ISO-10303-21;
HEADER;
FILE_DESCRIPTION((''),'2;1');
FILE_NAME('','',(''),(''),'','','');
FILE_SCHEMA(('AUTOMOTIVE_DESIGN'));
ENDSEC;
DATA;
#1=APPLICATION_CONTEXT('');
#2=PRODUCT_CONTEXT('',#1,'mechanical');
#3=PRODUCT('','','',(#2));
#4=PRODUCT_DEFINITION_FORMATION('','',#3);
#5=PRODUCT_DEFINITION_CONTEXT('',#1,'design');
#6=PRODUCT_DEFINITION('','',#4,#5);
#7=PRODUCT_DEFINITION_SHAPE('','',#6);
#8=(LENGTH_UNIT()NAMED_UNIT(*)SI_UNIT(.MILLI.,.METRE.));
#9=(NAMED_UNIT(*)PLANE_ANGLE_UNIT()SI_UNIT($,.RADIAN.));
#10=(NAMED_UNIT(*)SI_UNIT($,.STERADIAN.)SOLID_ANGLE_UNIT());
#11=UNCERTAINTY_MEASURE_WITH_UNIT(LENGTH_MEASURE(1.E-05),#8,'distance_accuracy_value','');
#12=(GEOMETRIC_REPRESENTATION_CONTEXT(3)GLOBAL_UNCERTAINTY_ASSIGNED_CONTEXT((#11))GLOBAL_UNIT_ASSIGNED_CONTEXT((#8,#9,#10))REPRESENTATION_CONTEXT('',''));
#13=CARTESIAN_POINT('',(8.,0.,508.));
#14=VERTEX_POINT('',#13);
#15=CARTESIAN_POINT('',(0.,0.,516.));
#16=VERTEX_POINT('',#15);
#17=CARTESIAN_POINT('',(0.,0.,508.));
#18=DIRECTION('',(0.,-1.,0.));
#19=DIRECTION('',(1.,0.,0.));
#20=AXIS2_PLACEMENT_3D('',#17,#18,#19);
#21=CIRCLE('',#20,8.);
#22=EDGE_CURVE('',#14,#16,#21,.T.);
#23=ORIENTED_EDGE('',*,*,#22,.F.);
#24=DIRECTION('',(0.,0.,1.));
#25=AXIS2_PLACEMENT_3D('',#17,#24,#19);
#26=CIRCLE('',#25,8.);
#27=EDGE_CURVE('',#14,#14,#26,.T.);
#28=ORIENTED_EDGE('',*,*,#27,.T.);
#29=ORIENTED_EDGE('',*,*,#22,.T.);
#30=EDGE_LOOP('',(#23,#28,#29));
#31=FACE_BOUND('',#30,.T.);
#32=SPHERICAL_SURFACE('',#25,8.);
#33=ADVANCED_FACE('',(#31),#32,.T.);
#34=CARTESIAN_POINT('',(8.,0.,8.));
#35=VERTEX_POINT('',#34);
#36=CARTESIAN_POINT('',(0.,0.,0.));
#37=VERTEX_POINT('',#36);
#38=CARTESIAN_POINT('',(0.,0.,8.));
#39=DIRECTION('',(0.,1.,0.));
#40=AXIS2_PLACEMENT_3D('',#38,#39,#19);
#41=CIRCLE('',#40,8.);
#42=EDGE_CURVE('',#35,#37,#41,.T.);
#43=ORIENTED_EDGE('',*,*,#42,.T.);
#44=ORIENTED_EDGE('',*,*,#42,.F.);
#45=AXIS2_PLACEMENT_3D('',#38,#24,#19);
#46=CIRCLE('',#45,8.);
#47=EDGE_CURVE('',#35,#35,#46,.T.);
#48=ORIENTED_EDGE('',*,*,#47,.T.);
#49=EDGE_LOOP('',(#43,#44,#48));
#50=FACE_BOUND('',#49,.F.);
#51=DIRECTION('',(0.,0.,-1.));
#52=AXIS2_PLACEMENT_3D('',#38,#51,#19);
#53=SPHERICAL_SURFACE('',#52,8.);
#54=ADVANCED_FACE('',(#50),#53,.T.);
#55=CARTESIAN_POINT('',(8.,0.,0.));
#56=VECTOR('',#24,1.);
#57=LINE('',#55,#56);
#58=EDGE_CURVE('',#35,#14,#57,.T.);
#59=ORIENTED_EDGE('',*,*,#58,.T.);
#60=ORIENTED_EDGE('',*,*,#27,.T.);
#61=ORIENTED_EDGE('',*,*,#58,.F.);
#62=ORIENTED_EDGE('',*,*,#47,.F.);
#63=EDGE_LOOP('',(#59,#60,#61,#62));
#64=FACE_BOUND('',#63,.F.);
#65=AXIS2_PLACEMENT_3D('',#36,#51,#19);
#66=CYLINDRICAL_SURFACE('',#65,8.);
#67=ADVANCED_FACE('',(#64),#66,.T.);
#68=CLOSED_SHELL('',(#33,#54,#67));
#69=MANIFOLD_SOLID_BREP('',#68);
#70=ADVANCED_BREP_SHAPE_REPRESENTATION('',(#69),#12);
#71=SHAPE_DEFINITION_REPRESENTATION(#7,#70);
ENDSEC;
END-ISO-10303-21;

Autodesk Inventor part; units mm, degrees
ref_plane "YZ Plane" through (0, 0, 0) normal (1, 0, 0) x (0, 1, 0)
ref_plane "XZ Plane" through (0, 0, 0) normal (0, 1, 0) x (-1, 0, 0)
ref_plane "XY Plane" through (0, 0, 0) normal (0, 0, 1) x (1, 0, 0)
sketch "スケッチ1" plane through (0, 0, 0) normal (0, 0, 1) x (1, 0, 0)
  circle A0 centre (0, 0) radius 8
  dimension "d0" = 16
extrude "押し出し1" add sketch "スケッチ1" along normal blind 516
sketch "スケッチ2" plane through (0, 0, 516) normal (0, 0, 1) x (1, 0, 0)
  point P0 (0, 0)
  point P1 (0, 0)
sketch "スケッチ3" plane through (0, 0, 0) normal (0, 0, -1) x (-1, 0, 0)
  point P0 (0, 0)
  point P1 (0, 0)
fillet "フィレット1" radius 8 2 edges at (-8, 0, 0) (-8, 0, 516)
properties part number "ラックアンドピニオンの中心棒"
